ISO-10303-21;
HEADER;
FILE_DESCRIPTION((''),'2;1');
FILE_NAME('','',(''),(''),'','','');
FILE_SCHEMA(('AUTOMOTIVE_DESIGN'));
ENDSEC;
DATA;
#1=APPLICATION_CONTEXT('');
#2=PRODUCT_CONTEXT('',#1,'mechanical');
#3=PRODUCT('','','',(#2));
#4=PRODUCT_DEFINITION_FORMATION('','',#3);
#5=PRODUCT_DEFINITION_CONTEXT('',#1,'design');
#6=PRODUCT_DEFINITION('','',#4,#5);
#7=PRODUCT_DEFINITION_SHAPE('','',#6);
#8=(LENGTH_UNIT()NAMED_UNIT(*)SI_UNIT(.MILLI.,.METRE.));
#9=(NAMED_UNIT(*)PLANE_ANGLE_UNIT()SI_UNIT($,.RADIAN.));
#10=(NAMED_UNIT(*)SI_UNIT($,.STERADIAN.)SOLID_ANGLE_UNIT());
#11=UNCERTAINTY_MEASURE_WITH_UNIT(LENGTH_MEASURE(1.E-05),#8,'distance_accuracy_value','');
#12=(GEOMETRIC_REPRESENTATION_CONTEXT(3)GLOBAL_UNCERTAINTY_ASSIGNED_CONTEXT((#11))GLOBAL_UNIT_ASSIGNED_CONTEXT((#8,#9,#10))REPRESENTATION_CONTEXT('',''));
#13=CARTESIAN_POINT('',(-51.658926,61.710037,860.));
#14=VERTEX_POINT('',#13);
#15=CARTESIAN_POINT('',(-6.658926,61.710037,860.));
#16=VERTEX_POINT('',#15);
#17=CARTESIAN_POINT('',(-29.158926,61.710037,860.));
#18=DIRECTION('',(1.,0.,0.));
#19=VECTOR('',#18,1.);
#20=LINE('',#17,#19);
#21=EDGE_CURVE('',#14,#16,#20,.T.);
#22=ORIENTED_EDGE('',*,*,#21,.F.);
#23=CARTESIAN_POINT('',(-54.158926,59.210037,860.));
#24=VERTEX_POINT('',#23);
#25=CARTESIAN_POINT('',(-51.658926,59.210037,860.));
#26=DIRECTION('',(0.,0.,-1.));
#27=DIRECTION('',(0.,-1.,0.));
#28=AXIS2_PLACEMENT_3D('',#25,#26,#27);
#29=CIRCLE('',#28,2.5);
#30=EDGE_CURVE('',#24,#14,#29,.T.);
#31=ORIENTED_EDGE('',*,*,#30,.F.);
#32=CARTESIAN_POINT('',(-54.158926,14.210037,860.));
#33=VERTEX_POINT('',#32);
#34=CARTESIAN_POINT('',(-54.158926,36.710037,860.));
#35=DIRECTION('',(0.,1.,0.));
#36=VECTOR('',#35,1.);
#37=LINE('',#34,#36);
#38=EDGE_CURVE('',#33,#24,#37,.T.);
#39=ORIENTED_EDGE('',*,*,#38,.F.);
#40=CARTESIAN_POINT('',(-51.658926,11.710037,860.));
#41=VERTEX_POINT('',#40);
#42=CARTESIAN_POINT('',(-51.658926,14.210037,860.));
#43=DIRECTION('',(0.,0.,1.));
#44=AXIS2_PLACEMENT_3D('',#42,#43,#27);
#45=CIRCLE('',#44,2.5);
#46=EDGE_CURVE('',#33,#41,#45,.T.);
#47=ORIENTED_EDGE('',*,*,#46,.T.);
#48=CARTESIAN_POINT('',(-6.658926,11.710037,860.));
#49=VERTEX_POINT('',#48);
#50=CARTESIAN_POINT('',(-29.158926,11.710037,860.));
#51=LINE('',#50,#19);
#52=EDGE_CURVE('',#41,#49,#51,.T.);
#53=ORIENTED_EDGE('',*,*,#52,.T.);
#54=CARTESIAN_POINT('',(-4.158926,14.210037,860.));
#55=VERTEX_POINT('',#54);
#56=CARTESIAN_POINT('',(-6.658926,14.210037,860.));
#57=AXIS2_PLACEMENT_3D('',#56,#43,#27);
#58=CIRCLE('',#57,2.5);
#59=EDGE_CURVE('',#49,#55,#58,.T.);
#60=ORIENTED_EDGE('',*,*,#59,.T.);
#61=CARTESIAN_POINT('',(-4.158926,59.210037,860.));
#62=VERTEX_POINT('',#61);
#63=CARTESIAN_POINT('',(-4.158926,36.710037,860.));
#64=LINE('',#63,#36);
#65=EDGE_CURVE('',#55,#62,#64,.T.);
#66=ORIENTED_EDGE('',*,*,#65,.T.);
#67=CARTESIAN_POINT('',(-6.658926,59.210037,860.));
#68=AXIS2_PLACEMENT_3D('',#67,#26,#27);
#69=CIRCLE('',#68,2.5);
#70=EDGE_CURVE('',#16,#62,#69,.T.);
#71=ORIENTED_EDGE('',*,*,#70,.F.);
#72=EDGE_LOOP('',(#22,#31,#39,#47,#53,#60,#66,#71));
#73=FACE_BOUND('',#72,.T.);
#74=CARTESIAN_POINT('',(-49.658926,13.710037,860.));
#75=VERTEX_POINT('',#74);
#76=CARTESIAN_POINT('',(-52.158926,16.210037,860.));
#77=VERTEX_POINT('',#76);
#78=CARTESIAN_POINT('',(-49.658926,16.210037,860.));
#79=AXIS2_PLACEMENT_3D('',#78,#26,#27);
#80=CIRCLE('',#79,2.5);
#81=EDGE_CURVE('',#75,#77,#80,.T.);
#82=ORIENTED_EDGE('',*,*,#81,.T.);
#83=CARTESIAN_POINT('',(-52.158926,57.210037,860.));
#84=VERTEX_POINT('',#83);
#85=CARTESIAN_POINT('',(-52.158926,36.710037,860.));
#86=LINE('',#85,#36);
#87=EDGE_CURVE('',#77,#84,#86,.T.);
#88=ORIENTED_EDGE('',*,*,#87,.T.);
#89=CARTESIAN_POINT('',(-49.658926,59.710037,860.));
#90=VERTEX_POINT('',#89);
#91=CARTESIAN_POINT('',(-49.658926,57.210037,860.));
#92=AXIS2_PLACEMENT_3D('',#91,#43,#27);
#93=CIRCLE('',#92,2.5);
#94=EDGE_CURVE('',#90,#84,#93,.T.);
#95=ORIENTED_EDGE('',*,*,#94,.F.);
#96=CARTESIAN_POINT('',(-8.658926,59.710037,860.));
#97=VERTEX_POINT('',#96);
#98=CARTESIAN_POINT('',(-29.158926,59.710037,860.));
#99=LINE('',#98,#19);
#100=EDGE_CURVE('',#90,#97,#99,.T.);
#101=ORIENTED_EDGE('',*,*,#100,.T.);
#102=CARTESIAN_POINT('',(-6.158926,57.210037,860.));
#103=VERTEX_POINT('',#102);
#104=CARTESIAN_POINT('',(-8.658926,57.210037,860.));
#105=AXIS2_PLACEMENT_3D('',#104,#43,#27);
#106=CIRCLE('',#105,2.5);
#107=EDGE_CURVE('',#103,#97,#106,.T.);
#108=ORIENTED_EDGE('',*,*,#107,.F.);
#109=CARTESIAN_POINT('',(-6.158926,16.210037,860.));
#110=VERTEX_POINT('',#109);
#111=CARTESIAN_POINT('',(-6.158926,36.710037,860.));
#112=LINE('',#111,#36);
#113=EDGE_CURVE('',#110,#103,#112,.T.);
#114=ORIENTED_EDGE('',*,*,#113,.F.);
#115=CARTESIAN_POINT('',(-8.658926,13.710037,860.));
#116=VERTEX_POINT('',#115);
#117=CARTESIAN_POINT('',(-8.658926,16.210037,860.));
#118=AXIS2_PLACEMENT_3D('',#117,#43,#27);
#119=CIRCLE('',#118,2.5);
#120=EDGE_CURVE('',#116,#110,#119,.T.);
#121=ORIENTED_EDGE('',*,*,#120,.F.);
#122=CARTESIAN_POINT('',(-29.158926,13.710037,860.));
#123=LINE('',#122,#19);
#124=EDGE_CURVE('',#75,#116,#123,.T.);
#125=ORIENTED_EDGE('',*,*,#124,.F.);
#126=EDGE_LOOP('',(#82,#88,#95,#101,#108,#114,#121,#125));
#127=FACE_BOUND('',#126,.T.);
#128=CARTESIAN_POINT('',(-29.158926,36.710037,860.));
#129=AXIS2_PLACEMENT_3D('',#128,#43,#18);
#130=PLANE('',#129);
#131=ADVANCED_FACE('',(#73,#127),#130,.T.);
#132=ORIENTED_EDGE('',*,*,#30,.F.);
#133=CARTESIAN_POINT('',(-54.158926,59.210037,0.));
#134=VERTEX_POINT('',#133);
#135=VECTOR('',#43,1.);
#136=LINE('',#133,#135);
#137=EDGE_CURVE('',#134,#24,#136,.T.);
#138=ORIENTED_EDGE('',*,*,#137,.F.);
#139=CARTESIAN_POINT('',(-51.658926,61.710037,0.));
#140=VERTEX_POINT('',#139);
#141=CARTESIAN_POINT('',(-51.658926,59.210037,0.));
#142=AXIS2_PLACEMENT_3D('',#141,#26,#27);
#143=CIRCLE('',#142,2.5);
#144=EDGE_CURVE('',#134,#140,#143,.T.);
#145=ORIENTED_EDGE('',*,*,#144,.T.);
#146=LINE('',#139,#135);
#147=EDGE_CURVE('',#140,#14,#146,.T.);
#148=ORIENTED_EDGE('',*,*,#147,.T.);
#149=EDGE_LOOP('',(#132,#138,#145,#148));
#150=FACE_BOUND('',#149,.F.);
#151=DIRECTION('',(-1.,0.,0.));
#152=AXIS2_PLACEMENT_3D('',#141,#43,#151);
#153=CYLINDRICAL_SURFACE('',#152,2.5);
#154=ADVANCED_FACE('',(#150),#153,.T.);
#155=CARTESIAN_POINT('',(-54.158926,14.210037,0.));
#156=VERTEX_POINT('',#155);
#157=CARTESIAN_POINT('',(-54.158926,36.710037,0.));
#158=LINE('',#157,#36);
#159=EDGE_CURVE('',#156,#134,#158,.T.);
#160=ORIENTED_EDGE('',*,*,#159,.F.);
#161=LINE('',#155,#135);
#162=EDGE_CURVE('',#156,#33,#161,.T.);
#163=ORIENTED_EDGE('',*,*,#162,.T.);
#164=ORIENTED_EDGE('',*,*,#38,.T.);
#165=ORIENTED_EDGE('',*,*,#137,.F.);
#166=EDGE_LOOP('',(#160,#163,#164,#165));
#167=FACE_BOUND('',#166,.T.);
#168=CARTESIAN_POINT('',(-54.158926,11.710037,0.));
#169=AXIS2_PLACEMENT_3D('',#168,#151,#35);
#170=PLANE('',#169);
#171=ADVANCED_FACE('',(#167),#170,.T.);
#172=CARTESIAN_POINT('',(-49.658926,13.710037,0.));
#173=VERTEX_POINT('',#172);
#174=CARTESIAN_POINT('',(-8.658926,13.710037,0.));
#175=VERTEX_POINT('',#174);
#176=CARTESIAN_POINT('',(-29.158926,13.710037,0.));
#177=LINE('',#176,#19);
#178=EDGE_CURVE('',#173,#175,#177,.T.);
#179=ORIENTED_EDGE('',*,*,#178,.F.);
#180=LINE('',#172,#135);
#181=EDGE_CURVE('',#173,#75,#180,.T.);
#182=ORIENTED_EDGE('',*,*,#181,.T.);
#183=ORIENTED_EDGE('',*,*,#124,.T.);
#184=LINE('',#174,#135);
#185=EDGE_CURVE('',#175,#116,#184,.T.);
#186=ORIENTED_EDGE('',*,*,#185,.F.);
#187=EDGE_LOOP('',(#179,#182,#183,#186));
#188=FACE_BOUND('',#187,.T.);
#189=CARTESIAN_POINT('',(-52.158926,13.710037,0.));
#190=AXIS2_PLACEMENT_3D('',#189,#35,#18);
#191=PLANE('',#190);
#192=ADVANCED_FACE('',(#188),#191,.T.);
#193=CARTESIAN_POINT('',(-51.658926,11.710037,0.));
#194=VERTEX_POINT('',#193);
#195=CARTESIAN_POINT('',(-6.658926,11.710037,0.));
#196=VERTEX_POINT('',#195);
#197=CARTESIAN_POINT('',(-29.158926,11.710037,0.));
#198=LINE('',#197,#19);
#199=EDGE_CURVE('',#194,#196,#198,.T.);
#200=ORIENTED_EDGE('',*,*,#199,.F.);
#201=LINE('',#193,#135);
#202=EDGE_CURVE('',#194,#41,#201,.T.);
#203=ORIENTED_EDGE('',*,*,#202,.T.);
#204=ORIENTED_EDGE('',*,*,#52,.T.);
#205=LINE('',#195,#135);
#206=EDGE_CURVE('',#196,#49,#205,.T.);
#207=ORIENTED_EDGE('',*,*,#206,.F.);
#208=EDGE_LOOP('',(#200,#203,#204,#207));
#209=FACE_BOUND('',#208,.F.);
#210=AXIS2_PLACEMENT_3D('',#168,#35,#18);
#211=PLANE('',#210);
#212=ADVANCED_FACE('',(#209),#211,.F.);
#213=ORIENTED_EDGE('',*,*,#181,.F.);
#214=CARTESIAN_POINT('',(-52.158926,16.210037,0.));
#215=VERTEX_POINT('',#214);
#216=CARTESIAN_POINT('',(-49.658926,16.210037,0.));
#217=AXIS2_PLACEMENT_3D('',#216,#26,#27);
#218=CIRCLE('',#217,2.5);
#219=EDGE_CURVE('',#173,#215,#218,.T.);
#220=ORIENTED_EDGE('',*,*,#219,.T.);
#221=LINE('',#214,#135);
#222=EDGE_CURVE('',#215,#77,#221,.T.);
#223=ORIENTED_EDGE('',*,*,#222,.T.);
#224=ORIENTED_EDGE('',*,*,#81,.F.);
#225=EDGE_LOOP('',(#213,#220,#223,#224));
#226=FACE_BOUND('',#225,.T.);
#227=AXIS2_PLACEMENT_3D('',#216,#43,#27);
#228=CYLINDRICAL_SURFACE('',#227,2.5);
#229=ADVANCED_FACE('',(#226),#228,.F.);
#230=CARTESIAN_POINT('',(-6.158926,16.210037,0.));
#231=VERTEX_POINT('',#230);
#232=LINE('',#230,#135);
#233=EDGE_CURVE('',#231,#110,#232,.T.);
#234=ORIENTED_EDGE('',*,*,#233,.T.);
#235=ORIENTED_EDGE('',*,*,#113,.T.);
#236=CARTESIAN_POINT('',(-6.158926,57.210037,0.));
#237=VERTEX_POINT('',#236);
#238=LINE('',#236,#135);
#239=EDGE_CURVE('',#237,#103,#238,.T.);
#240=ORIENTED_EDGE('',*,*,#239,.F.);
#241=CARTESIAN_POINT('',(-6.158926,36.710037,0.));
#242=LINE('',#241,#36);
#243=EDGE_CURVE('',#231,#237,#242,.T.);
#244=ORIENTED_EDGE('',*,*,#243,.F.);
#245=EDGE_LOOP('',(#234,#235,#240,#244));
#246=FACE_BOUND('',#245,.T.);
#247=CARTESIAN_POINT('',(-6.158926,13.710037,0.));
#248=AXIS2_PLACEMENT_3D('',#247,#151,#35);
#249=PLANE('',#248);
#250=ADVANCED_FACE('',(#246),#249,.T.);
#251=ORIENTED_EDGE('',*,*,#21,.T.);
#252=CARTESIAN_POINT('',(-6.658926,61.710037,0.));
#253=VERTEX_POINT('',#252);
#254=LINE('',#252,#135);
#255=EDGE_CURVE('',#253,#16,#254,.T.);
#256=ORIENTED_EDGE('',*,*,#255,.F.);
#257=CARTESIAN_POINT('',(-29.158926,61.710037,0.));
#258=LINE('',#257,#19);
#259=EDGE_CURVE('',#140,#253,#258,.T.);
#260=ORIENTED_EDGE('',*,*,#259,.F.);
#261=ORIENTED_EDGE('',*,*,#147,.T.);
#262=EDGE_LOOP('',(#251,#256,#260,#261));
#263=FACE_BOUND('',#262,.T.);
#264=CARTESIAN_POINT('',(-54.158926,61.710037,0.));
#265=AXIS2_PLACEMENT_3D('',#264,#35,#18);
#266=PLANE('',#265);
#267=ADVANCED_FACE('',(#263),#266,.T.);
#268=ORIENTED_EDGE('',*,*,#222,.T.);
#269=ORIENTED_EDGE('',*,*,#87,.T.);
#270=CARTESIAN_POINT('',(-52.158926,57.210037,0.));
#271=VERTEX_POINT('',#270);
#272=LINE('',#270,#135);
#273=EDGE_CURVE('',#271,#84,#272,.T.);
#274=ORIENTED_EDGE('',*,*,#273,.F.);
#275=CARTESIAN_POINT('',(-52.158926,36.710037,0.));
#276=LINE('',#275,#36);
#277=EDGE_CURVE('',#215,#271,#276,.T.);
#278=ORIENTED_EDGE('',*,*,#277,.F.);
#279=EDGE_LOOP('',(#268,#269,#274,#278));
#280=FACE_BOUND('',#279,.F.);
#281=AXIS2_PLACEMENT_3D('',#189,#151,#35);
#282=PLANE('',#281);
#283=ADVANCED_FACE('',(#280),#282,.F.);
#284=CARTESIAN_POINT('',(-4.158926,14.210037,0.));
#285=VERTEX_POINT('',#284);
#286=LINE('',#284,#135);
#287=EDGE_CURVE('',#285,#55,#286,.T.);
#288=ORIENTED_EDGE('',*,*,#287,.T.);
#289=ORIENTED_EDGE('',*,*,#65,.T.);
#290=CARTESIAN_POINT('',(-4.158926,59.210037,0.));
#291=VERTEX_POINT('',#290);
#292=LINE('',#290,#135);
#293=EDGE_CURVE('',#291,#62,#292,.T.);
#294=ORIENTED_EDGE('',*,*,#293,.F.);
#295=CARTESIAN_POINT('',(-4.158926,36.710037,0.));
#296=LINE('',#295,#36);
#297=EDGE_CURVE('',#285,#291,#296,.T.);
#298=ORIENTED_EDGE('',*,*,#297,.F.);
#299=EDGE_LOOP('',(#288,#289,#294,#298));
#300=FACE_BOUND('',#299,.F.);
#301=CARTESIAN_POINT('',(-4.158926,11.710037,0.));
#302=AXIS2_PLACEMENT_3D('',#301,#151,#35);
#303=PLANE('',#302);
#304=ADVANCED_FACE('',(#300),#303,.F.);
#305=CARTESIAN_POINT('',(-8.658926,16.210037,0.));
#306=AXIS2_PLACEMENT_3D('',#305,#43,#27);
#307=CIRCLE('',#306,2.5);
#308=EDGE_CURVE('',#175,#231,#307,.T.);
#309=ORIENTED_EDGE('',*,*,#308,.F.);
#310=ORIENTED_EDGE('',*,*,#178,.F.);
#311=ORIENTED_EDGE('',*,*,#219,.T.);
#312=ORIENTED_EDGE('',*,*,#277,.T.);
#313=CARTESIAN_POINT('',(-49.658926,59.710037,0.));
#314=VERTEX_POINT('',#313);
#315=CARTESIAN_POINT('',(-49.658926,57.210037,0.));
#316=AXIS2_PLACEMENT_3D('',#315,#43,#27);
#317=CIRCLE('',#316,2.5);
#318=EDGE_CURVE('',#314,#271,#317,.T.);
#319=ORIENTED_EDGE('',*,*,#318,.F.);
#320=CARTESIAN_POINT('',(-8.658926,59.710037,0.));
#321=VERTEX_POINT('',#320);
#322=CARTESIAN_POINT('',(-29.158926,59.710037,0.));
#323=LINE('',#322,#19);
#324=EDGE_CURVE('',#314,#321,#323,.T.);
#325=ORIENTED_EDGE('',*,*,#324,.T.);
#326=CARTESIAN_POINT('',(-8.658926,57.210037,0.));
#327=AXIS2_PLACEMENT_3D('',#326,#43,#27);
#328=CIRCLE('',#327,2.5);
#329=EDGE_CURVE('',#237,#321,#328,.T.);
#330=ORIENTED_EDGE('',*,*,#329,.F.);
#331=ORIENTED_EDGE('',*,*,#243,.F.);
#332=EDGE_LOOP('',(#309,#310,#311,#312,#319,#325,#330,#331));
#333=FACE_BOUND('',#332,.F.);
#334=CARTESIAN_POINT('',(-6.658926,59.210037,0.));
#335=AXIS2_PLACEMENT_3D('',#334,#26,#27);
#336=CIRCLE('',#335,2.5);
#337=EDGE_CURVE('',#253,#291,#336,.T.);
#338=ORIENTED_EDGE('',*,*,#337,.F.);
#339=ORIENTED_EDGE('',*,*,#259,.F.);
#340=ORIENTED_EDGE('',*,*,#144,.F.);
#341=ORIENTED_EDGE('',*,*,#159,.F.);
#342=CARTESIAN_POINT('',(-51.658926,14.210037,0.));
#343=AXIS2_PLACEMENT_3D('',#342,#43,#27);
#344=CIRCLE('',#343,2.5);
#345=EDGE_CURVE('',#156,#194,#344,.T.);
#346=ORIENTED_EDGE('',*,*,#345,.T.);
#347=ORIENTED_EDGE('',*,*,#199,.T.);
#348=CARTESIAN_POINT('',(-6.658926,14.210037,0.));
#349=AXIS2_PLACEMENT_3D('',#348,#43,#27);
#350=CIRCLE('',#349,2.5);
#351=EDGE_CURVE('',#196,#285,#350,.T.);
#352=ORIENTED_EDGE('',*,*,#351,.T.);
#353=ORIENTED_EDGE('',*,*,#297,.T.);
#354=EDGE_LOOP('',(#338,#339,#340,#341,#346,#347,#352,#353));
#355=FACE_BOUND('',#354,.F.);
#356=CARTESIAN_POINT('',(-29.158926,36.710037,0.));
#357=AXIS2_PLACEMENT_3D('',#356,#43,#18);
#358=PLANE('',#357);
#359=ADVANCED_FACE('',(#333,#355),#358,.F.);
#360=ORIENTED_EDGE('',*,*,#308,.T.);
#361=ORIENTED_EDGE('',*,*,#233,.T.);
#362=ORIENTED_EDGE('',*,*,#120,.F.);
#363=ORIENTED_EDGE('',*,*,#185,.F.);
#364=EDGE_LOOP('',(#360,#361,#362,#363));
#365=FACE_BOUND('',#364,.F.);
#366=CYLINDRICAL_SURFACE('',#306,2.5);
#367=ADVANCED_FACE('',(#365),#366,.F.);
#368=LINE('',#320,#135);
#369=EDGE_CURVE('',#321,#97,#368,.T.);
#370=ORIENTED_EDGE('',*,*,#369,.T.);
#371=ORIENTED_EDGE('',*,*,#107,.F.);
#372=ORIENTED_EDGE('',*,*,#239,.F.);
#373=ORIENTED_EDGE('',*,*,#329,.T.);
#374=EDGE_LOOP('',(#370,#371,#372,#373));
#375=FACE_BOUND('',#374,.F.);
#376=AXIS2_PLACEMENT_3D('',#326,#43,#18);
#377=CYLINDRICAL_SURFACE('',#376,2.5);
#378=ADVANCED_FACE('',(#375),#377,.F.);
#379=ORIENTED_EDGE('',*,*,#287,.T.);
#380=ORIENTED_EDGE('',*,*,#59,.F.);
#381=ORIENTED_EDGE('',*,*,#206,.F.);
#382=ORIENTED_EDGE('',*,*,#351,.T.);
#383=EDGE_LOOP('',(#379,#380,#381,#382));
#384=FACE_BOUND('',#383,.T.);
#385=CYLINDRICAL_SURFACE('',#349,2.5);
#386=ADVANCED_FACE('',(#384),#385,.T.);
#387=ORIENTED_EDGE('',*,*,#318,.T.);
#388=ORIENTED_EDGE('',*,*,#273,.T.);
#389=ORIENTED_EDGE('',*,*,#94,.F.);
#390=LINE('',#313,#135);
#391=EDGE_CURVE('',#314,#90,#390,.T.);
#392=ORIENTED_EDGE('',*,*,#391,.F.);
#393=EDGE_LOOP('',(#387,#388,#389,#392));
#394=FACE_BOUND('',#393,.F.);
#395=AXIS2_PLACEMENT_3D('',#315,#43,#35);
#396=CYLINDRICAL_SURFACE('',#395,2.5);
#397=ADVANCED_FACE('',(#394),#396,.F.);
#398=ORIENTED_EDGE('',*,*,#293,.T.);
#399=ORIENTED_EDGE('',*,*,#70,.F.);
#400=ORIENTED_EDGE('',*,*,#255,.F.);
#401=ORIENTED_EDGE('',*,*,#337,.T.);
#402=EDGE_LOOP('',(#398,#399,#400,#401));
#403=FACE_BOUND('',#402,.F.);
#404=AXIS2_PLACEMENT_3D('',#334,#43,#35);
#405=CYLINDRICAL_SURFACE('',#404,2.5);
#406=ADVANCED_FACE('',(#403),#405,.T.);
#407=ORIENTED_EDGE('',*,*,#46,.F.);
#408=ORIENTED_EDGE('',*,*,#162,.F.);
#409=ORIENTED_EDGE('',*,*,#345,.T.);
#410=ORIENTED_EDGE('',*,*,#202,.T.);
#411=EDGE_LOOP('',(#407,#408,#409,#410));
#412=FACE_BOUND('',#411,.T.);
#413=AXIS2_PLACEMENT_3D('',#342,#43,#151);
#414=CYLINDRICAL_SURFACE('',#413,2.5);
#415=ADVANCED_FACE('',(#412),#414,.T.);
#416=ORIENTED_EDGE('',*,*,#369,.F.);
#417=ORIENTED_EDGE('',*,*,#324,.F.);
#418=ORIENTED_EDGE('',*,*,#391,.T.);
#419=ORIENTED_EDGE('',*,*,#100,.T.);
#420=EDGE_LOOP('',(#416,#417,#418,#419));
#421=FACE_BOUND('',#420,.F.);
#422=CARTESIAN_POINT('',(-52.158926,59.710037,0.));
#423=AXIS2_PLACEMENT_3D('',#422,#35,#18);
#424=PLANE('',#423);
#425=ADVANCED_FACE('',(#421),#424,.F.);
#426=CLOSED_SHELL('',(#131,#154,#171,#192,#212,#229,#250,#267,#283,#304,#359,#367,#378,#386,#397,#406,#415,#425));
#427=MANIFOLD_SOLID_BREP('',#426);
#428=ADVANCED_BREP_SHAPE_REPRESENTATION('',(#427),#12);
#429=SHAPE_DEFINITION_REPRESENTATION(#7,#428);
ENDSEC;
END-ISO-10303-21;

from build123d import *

# Parameters (mm, degrees)
F0_W     = 50
F0_H     = 50
F0_W_2   = 46
F0_H_2   = 46
F1_DEPTH = 860
F2_R     = 2.5
F3_R     = 2.5


with BuildPart() as f1:
    # F0 (on Top) → F1 (new body)
    with BuildSketch(Plane.XY):
        with Locations((-29.158926, 36.710037)):
            Rectangle(F0_W, F0_H)
        with Locations((-29.158926, 36.710037)):
            Rectangle(F0_W_2, F0_H_2, mode=Mode.SUBTRACT)
    extrude(amount=F1_DEPTH)

    # F2
    f2_edges = [f1.edges().sort_by_distance(p)[0] for p in [
        (-4.158926, 61.710037, 430),
        (-54.158926, 61.710037, 430),
        (-4.158926, 11.710037, 430),
        (-54.158926, 11.710037, 430),
    ]]
    fillet(f2_edges, radius=F2_R)

    # F3
    f3_edges = [f1.edges().sort_by_distance(p)[0] for p in [
        (-6.158926, 59.710037, 430),
        (-52.158926, 59.710037, 430),
        (-52.158926, 13.710037, 430),
        (-6.158926, 13.710037, 430),
    ]]
    fillet(f3_edges, radius=F3_R)


with BuildPart() as f4_1:
    # F4: copy of F1
    add(f1.part)


with BuildPart() as f6_1:
    # F6: copy of F1
    add(f1.part)


solid = f1.part
